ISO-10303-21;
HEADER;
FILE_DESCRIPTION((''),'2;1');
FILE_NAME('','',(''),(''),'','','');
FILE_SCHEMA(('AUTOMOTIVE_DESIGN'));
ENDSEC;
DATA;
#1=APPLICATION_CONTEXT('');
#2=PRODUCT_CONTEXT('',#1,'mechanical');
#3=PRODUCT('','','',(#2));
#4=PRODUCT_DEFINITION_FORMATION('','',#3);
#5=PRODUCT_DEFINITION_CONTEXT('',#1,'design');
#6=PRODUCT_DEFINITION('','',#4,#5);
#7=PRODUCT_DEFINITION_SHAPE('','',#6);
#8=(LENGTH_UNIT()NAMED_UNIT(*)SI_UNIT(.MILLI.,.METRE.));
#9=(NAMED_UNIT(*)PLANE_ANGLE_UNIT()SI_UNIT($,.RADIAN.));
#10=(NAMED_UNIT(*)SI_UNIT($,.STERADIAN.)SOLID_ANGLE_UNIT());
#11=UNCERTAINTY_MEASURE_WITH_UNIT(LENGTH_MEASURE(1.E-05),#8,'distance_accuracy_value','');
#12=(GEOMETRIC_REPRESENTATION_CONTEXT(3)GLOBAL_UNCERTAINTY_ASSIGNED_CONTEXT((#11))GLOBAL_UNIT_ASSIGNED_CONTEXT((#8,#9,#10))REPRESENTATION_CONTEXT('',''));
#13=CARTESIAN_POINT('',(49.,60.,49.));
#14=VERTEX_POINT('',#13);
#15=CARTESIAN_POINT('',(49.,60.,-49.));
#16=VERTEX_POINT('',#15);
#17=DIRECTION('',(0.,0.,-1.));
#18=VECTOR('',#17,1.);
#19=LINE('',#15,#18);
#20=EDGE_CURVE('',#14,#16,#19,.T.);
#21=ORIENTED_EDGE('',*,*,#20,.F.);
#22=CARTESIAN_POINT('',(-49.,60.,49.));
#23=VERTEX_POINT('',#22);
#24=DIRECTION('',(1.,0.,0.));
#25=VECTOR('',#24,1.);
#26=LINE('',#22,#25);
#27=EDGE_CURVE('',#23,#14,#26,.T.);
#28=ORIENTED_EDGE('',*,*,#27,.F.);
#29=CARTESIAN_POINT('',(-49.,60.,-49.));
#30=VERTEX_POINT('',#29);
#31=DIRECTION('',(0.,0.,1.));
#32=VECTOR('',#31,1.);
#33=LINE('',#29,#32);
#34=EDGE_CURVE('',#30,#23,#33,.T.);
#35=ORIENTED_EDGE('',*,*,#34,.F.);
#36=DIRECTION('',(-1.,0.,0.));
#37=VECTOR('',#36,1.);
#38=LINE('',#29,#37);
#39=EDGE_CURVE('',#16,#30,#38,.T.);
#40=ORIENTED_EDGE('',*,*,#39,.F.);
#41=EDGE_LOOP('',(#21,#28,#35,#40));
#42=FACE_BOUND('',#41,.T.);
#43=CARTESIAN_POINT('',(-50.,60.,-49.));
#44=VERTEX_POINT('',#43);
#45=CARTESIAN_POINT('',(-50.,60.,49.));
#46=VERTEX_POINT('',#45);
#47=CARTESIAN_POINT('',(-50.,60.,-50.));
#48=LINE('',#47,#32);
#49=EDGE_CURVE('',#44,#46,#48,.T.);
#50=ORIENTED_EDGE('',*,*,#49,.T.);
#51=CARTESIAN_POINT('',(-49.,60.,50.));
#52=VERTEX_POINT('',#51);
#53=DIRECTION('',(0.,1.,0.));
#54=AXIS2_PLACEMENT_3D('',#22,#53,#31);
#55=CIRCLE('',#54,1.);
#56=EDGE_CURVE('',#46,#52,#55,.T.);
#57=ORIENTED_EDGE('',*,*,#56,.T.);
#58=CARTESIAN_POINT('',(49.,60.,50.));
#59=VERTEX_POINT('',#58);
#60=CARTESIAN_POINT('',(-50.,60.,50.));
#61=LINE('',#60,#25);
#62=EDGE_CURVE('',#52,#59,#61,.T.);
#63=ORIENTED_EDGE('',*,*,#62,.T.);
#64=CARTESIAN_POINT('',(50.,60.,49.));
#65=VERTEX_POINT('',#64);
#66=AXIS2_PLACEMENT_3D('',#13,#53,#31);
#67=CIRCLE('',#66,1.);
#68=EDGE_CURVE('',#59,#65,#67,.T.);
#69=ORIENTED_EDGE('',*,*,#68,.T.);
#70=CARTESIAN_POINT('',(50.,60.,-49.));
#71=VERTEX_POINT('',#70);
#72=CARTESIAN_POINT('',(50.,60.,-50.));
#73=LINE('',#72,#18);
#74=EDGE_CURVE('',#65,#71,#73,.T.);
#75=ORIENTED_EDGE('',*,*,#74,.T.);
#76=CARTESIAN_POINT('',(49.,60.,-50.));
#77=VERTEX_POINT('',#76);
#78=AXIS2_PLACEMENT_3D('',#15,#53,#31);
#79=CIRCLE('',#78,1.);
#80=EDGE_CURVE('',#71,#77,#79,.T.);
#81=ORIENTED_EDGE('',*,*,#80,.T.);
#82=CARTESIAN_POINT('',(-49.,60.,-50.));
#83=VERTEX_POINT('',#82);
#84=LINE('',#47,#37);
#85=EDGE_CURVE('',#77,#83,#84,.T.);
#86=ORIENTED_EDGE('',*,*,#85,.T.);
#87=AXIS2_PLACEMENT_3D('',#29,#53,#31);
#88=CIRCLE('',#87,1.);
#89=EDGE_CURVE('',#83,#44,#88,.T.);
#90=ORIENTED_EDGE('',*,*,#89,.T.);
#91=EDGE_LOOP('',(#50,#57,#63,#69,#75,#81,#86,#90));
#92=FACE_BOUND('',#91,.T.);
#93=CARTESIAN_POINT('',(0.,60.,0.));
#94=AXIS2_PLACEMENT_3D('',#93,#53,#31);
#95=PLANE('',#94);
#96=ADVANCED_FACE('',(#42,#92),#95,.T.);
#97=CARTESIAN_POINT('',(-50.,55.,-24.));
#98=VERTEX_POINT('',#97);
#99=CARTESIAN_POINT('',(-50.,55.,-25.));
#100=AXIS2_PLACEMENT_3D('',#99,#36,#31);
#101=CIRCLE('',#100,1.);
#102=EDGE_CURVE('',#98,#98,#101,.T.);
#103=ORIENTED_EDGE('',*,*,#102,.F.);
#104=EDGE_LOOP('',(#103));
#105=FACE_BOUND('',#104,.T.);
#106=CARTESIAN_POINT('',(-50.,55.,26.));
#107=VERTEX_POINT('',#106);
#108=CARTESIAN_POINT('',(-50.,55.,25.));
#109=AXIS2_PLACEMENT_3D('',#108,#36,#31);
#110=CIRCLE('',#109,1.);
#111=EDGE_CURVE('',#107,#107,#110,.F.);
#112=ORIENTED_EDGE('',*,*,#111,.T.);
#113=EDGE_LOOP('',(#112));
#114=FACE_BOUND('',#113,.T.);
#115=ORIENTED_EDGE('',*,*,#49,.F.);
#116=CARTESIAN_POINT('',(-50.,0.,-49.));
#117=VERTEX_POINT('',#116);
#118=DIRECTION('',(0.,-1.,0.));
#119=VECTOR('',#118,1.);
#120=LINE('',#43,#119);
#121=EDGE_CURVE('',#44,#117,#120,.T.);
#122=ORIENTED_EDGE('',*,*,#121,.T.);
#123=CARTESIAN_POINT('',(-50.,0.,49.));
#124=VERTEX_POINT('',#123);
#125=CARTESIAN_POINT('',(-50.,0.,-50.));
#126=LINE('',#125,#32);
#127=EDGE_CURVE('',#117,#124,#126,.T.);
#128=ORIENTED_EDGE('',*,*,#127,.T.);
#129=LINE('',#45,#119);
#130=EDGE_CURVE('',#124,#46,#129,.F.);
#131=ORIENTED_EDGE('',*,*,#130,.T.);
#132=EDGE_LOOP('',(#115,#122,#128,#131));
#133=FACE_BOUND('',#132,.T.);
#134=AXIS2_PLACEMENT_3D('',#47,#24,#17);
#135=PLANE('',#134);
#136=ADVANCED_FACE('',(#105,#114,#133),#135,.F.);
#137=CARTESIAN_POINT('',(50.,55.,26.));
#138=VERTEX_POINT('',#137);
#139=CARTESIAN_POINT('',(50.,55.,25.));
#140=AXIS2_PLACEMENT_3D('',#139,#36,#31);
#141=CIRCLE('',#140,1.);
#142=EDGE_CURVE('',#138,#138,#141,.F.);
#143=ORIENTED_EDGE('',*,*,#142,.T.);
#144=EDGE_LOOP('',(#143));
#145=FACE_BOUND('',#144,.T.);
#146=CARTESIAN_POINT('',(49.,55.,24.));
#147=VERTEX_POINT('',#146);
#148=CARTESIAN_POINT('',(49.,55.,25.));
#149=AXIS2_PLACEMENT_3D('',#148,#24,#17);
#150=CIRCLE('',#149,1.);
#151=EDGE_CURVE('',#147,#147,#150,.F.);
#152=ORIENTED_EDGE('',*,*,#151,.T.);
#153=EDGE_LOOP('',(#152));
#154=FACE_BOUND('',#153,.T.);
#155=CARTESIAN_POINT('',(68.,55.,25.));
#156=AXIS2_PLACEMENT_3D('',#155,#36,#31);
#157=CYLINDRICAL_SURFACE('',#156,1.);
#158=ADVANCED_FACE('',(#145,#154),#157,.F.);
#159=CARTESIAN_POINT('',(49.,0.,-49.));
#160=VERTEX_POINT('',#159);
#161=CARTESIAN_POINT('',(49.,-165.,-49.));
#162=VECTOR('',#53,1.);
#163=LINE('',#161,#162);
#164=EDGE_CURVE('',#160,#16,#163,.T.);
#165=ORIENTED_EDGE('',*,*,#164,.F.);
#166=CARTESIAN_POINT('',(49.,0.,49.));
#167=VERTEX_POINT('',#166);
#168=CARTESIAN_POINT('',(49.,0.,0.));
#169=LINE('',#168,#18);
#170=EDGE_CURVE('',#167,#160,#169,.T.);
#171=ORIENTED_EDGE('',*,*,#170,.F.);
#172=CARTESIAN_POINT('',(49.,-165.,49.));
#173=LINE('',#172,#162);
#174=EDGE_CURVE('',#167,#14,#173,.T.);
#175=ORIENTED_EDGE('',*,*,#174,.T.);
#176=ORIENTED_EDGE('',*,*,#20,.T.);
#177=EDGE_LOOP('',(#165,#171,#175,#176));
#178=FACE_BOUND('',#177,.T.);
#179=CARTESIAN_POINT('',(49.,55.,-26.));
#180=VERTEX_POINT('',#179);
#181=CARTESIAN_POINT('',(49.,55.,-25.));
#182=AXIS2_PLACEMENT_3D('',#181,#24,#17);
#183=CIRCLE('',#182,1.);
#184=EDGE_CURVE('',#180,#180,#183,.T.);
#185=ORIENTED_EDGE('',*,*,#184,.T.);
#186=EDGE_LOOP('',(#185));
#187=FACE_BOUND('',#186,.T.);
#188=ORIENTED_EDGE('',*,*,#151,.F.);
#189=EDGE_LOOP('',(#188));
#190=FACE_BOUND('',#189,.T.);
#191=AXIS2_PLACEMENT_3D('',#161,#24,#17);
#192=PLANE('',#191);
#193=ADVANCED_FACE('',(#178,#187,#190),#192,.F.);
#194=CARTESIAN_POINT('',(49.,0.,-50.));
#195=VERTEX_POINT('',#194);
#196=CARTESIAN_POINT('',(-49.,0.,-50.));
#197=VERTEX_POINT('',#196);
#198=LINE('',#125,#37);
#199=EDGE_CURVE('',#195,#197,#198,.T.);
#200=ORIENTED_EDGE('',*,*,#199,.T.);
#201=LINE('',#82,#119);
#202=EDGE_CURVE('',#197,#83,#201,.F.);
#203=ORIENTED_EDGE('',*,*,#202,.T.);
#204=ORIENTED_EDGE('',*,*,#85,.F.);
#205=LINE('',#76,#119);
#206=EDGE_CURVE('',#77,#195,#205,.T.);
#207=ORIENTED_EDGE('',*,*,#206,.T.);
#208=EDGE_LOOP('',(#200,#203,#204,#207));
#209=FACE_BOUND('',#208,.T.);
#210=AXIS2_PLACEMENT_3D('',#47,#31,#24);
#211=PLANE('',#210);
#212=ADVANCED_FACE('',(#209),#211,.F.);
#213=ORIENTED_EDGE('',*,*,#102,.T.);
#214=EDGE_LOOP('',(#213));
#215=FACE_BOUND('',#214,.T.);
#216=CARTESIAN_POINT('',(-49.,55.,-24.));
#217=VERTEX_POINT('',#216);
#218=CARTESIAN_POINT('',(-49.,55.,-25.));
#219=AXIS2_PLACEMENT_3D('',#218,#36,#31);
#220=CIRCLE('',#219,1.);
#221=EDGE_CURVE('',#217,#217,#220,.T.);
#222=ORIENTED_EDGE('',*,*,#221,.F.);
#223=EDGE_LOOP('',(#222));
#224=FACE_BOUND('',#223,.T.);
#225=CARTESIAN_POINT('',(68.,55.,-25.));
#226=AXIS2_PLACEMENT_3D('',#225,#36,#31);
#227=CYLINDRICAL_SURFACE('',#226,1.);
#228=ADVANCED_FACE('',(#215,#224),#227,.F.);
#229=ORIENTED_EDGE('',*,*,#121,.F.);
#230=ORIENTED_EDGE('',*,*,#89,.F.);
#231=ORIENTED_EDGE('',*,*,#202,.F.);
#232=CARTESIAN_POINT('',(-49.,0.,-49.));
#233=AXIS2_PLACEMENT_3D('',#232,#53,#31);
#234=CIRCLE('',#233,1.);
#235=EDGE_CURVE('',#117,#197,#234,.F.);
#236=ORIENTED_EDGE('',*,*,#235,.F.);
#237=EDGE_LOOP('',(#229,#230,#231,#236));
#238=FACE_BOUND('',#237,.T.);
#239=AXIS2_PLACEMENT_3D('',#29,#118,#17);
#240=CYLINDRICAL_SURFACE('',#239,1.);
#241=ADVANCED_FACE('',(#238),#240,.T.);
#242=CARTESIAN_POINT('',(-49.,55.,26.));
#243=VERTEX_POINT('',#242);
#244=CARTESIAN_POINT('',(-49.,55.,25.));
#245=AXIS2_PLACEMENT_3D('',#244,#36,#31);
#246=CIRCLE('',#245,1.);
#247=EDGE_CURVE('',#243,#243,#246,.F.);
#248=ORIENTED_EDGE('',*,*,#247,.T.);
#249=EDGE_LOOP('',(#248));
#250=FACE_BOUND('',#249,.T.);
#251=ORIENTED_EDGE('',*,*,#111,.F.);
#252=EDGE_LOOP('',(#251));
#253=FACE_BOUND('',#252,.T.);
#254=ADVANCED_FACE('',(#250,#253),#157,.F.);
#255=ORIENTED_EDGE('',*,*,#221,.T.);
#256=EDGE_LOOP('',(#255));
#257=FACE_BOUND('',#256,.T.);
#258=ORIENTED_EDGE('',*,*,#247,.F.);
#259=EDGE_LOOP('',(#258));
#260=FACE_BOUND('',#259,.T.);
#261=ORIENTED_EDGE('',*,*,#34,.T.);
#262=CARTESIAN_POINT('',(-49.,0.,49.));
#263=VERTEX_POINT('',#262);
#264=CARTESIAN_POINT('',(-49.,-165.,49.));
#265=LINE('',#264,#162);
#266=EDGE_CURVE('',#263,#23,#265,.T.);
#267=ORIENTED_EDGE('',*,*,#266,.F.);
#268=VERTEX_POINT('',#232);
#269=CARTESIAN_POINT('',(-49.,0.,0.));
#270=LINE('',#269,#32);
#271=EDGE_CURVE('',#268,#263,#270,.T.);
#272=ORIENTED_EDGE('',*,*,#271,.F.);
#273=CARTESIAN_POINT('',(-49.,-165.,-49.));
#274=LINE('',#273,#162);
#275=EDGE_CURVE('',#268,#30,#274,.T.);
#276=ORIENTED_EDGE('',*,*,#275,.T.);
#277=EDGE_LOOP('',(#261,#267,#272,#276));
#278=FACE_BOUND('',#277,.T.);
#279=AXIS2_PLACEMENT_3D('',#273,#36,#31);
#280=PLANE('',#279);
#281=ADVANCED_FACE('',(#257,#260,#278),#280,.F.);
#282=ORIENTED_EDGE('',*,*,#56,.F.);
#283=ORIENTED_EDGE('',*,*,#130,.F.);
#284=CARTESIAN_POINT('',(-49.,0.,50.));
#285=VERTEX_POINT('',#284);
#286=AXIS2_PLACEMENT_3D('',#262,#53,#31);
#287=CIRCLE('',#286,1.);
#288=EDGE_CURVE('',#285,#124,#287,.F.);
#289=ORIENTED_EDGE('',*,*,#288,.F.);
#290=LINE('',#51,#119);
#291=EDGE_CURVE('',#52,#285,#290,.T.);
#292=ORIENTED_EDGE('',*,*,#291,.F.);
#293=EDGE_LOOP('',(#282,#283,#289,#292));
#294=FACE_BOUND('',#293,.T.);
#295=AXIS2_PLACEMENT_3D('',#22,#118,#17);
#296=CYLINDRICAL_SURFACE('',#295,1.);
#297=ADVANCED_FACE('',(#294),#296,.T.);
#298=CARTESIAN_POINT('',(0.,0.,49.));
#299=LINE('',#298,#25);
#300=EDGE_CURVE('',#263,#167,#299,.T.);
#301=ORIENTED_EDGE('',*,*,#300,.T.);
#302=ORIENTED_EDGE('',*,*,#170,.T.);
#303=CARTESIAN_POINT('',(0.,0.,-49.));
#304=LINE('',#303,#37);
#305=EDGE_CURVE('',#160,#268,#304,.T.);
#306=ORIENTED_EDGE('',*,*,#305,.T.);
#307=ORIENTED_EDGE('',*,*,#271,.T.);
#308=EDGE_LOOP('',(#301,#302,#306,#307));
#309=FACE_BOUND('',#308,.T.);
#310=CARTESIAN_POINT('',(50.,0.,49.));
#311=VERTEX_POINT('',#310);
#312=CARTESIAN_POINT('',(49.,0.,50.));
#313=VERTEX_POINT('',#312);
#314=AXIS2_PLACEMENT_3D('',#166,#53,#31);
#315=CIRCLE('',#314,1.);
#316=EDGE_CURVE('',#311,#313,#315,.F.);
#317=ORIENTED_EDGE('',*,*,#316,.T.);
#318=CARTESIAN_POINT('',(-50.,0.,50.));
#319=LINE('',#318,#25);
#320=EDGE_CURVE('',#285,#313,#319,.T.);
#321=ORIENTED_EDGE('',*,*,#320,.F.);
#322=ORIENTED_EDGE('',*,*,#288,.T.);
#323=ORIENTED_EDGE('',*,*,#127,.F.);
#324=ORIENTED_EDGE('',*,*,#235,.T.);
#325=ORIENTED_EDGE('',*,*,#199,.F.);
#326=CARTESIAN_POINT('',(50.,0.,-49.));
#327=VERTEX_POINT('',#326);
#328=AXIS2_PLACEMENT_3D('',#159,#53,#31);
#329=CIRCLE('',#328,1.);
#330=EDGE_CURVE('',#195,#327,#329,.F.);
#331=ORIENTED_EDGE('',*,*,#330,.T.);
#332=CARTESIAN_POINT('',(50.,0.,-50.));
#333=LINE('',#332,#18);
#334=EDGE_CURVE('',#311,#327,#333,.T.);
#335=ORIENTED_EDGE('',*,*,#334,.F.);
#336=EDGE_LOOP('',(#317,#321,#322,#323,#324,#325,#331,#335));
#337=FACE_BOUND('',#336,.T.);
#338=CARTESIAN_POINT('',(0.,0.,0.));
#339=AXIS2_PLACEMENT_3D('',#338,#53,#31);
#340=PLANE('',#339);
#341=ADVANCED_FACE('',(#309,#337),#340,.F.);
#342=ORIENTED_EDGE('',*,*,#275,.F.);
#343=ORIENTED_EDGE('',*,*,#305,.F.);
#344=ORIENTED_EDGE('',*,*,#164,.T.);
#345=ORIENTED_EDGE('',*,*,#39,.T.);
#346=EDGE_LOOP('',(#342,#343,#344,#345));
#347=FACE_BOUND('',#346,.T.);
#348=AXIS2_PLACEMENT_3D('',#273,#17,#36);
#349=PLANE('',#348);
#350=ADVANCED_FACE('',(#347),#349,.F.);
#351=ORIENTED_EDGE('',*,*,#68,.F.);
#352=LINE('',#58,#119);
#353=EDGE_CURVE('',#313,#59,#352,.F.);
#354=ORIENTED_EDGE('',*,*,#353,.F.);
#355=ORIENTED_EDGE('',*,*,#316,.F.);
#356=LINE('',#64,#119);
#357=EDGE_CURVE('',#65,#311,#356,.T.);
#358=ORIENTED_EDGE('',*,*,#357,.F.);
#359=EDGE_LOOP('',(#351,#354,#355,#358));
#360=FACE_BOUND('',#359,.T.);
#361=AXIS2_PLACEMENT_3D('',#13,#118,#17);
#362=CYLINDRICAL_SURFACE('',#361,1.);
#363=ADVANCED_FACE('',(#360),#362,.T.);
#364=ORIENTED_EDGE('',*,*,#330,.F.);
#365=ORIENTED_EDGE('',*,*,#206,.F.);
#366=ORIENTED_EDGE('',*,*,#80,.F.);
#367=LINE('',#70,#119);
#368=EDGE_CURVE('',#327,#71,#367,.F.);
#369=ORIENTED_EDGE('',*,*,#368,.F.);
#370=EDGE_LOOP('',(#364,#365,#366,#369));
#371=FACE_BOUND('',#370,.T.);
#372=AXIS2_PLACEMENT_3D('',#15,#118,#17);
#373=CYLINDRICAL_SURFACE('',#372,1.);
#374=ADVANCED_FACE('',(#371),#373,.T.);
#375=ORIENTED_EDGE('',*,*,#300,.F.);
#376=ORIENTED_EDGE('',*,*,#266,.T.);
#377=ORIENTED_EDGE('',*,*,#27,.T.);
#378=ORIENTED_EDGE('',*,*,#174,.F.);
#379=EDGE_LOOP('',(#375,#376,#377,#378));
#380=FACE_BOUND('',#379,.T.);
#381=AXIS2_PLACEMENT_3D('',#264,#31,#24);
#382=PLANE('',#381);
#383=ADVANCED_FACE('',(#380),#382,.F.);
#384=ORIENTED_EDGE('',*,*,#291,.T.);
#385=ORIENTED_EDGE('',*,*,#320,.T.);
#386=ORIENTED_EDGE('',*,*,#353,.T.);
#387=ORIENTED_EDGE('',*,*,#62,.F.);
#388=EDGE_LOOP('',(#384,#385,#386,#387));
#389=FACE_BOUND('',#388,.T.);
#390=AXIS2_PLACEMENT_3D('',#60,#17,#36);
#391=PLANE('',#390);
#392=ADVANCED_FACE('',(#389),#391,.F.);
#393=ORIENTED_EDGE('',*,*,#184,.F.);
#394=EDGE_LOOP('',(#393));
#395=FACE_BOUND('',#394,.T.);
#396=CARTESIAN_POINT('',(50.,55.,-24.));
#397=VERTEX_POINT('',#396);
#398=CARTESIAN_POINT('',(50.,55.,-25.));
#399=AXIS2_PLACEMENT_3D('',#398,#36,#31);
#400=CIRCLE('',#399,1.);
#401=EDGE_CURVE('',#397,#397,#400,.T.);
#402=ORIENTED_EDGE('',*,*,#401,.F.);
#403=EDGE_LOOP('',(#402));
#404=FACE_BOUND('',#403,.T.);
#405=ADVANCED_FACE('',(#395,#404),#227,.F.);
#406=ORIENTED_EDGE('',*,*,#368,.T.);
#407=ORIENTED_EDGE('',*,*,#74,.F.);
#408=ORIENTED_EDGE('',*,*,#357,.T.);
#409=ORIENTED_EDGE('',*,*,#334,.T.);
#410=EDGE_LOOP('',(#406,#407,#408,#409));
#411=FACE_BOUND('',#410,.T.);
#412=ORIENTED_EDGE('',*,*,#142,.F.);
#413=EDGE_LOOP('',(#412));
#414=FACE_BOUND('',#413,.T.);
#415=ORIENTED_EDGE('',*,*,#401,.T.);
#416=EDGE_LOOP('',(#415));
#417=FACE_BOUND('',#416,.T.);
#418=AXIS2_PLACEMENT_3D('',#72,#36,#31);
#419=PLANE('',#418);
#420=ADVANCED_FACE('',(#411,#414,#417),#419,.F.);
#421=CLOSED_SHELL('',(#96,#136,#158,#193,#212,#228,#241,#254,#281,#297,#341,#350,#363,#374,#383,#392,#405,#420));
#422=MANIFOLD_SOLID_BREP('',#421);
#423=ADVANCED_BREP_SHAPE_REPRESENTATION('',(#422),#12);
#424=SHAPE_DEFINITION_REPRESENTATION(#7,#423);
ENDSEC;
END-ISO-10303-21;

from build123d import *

# Parameters (mm, degrees)
SKETCH1_W           = 100
SKETCH1_H           = 100
BOSS_EXTRUDE1_DEPTH = 60
SKETCH2_W           = 98
SKETCH2_H           = 98
CUT_EXTRUDE1_DEPTH  = 225
SKETCH3_R           = 1
CUT_EXTRUDE2_DEPTH  = 118
FILLET1_R           = 1


with BuildPart() as part:
    # Sketch1 → Boss-Extrude1 (new body)
    with BuildSketch(Plane(origin=(0, 0, 0), x_dir=(1, 0, 0), z_dir=(0, 1, 0))):
        Rectangle(SKETCH1_W, SKETCH1_H)
    extrude(amount=BOSS_EXTRUDE1_DEPTH)

    # Sketch2 → Cut-Extrude1 (cut)
    with BuildSketch(Plane(origin=(0, 60, 0), x_dir=(1, 0, 0), z_dir=(0, 1, 0))):
        Rectangle(SKETCH2_W, SKETCH2_H)
    extrude(amount=-CUT_EXTRUDE1_DEPTH, mode=Mode.SUBTRACT)

    # Sketch3 → Cut-Extrude2 (cut)
    with BuildSketch(Plane.ZY.offset(50)):
        with BuildLine():
            ThreePointArc((-26, 55), (-25, 54), (-24, 55))
            Line((-24, 55), (-26, 55))
        make_face()
        with BuildLine():
            Line((-26, 55), (-24, 55))
            ThreePointArc((-24, 55), (-25, 56), (-26, 55))
        make_face()
        with Locations((25, 55)):
            Circle(SKETCH3_R)
    extrude(amount=-CUT_EXTRUDE2_DEPTH, mode=Mode.SUBTRACT)

    # Fillet1
    fillet1_edges = [part.edges().sort_by_distance(p)[0] for p in [
        (50, 30, 50),
        (-50, 30, 50),
        (-50, 30, -50),
        (50, 30, -50),
    ]]
    fillet(fillet1_edges, radius=FILLET1_R)


solid = part.part
